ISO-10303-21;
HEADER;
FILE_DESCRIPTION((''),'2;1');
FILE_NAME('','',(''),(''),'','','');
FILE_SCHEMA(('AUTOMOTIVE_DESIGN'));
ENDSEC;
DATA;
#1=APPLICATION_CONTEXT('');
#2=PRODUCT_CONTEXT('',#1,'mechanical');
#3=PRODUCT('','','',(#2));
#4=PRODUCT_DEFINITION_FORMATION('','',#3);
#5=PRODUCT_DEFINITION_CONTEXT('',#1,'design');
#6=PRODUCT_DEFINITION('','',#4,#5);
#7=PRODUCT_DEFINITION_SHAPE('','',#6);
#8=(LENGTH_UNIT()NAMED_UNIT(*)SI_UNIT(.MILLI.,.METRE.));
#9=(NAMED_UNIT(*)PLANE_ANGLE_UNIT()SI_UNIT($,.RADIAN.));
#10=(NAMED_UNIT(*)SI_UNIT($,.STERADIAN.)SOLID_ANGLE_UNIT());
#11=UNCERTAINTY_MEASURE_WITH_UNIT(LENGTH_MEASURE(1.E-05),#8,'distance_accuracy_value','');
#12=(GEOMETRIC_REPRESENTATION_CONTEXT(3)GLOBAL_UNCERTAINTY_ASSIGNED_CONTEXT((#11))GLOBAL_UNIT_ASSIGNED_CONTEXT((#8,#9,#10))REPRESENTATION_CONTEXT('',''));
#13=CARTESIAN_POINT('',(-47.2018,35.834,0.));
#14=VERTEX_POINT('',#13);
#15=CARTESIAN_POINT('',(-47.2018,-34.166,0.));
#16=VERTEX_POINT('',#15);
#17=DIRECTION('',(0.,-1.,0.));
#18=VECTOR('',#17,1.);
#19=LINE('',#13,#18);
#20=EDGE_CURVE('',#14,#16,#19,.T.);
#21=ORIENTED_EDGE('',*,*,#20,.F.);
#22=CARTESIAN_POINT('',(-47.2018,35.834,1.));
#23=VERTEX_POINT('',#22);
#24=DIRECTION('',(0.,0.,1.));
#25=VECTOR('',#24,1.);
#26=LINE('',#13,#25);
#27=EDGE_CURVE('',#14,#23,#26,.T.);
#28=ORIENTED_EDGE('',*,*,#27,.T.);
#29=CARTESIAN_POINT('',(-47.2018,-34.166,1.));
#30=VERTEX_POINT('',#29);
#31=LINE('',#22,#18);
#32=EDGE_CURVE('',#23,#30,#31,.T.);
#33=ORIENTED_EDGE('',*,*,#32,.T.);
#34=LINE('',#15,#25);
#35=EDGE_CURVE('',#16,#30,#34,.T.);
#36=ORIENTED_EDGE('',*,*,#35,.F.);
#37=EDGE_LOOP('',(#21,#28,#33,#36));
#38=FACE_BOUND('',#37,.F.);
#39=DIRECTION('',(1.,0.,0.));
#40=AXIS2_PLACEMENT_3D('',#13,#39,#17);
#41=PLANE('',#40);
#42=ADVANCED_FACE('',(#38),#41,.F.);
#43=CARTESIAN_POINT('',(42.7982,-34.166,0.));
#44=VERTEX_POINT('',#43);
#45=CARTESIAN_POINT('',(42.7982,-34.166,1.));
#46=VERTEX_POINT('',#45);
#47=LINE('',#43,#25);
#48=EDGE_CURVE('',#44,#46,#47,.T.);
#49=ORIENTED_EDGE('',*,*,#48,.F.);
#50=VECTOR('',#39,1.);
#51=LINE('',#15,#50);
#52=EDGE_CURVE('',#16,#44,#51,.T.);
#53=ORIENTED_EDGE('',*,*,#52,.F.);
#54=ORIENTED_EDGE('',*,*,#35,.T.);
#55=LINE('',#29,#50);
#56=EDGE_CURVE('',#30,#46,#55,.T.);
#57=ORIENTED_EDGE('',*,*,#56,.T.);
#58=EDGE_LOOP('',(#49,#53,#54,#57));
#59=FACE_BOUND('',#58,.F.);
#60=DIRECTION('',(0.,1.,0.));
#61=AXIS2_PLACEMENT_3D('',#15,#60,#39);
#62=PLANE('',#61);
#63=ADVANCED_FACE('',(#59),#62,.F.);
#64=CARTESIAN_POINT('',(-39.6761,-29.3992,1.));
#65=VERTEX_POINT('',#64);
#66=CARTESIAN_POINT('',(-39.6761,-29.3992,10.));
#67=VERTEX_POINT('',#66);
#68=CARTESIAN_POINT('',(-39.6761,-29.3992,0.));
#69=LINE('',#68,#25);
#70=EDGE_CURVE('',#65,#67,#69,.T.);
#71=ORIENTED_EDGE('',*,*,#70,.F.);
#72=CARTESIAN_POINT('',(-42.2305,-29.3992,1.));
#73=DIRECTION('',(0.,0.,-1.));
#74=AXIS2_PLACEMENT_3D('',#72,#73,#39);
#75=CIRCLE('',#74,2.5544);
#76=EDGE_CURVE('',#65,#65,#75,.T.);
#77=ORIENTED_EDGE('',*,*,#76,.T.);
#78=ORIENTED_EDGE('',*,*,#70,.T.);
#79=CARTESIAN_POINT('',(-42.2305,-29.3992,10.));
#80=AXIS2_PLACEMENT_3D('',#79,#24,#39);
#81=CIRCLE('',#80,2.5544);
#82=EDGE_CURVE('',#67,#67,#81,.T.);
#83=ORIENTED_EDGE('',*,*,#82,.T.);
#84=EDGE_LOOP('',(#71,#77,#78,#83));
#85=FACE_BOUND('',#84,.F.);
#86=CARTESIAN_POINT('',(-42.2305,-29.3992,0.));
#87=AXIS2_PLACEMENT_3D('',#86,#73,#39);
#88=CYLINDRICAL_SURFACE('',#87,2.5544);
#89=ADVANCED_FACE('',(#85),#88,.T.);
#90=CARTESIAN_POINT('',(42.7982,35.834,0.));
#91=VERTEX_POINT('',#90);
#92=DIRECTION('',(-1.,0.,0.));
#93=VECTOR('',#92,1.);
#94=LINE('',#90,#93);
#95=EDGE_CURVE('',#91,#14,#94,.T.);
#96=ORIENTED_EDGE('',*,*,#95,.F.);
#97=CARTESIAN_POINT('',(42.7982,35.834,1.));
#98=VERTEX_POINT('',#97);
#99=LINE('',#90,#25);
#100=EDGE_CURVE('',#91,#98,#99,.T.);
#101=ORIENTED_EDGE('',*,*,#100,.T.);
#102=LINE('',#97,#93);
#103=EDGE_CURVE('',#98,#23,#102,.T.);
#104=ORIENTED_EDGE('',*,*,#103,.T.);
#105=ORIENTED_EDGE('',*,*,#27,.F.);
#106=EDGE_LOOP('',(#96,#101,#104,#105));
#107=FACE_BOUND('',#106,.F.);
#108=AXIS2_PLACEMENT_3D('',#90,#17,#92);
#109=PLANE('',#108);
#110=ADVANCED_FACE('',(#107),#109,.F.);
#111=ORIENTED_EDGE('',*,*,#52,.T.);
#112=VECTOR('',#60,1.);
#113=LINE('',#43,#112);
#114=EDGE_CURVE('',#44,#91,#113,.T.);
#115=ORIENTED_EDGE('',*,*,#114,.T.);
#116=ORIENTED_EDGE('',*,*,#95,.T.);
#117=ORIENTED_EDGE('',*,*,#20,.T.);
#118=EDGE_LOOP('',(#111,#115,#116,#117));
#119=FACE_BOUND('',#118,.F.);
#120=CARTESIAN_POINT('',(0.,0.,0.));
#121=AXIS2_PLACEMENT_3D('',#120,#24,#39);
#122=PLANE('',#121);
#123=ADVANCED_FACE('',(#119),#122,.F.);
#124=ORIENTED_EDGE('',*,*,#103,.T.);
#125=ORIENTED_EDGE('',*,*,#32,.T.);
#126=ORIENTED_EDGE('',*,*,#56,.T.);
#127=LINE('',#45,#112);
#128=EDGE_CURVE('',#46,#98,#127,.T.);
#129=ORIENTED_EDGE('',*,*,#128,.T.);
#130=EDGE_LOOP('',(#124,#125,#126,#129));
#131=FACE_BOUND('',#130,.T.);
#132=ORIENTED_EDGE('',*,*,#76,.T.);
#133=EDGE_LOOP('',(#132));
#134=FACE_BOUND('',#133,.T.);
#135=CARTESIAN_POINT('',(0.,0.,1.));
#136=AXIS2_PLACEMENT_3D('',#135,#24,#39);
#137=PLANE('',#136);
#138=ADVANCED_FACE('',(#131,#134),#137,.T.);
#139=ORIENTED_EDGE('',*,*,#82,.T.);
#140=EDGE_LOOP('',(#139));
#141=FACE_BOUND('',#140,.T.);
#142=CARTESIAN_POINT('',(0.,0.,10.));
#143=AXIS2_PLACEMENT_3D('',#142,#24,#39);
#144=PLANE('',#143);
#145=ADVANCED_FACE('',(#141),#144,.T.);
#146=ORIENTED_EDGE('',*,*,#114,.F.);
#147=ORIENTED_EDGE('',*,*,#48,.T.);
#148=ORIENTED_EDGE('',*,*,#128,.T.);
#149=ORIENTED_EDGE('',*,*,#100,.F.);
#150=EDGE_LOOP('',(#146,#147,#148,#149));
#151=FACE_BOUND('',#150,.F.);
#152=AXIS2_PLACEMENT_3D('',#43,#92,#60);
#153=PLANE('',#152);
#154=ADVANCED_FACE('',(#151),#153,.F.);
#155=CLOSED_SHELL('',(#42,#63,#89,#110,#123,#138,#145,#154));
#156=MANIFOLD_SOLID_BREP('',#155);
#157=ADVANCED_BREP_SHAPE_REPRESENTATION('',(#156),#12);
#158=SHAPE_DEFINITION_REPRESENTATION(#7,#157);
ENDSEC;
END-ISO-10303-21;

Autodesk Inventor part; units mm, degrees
ref_plane "YZ Plane" through (0, 0, 0) normal (1, 0, 0) x (0, 1, 0)
ref_plane "XZ Plane" through (0, 0, 0) normal (0, 1, 0) x (-1, 0, 0)
ref_plane "XY Plane" through (0, 0, 0) normal (0, 0, 1) x (1, 0, 0)
sketch "Sketch1" plane through (0, 0, 0) normal (0, 0, 1) x (1, 0, 0)
  line L0 (-47.2018, -34.166) -> (42.7982, -34.166)
  line L1 (42.7982, -34.166) -> (42.7982, 35.834)
  line L2 (42.7982, 35.834) -> (-47.2018, 35.834)
  line L3 (-47.2018, 35.834) -> (-47.2018, -34.166)
  circle A0 centre (-42.2305, -29.3992) radius 2.5544
  point P0 (0, 0)
  dimension "d0" = 90
  dimension "d1" = 70
extrude "Extrusion1" add sketch "Sketch1" along normal blind 1 contours L3 L2 L1 L0 | A0
extrude "Extrusion2" add sketch "Sketch1" along normal blind 10 contours A0
properties part number "protoboard"
